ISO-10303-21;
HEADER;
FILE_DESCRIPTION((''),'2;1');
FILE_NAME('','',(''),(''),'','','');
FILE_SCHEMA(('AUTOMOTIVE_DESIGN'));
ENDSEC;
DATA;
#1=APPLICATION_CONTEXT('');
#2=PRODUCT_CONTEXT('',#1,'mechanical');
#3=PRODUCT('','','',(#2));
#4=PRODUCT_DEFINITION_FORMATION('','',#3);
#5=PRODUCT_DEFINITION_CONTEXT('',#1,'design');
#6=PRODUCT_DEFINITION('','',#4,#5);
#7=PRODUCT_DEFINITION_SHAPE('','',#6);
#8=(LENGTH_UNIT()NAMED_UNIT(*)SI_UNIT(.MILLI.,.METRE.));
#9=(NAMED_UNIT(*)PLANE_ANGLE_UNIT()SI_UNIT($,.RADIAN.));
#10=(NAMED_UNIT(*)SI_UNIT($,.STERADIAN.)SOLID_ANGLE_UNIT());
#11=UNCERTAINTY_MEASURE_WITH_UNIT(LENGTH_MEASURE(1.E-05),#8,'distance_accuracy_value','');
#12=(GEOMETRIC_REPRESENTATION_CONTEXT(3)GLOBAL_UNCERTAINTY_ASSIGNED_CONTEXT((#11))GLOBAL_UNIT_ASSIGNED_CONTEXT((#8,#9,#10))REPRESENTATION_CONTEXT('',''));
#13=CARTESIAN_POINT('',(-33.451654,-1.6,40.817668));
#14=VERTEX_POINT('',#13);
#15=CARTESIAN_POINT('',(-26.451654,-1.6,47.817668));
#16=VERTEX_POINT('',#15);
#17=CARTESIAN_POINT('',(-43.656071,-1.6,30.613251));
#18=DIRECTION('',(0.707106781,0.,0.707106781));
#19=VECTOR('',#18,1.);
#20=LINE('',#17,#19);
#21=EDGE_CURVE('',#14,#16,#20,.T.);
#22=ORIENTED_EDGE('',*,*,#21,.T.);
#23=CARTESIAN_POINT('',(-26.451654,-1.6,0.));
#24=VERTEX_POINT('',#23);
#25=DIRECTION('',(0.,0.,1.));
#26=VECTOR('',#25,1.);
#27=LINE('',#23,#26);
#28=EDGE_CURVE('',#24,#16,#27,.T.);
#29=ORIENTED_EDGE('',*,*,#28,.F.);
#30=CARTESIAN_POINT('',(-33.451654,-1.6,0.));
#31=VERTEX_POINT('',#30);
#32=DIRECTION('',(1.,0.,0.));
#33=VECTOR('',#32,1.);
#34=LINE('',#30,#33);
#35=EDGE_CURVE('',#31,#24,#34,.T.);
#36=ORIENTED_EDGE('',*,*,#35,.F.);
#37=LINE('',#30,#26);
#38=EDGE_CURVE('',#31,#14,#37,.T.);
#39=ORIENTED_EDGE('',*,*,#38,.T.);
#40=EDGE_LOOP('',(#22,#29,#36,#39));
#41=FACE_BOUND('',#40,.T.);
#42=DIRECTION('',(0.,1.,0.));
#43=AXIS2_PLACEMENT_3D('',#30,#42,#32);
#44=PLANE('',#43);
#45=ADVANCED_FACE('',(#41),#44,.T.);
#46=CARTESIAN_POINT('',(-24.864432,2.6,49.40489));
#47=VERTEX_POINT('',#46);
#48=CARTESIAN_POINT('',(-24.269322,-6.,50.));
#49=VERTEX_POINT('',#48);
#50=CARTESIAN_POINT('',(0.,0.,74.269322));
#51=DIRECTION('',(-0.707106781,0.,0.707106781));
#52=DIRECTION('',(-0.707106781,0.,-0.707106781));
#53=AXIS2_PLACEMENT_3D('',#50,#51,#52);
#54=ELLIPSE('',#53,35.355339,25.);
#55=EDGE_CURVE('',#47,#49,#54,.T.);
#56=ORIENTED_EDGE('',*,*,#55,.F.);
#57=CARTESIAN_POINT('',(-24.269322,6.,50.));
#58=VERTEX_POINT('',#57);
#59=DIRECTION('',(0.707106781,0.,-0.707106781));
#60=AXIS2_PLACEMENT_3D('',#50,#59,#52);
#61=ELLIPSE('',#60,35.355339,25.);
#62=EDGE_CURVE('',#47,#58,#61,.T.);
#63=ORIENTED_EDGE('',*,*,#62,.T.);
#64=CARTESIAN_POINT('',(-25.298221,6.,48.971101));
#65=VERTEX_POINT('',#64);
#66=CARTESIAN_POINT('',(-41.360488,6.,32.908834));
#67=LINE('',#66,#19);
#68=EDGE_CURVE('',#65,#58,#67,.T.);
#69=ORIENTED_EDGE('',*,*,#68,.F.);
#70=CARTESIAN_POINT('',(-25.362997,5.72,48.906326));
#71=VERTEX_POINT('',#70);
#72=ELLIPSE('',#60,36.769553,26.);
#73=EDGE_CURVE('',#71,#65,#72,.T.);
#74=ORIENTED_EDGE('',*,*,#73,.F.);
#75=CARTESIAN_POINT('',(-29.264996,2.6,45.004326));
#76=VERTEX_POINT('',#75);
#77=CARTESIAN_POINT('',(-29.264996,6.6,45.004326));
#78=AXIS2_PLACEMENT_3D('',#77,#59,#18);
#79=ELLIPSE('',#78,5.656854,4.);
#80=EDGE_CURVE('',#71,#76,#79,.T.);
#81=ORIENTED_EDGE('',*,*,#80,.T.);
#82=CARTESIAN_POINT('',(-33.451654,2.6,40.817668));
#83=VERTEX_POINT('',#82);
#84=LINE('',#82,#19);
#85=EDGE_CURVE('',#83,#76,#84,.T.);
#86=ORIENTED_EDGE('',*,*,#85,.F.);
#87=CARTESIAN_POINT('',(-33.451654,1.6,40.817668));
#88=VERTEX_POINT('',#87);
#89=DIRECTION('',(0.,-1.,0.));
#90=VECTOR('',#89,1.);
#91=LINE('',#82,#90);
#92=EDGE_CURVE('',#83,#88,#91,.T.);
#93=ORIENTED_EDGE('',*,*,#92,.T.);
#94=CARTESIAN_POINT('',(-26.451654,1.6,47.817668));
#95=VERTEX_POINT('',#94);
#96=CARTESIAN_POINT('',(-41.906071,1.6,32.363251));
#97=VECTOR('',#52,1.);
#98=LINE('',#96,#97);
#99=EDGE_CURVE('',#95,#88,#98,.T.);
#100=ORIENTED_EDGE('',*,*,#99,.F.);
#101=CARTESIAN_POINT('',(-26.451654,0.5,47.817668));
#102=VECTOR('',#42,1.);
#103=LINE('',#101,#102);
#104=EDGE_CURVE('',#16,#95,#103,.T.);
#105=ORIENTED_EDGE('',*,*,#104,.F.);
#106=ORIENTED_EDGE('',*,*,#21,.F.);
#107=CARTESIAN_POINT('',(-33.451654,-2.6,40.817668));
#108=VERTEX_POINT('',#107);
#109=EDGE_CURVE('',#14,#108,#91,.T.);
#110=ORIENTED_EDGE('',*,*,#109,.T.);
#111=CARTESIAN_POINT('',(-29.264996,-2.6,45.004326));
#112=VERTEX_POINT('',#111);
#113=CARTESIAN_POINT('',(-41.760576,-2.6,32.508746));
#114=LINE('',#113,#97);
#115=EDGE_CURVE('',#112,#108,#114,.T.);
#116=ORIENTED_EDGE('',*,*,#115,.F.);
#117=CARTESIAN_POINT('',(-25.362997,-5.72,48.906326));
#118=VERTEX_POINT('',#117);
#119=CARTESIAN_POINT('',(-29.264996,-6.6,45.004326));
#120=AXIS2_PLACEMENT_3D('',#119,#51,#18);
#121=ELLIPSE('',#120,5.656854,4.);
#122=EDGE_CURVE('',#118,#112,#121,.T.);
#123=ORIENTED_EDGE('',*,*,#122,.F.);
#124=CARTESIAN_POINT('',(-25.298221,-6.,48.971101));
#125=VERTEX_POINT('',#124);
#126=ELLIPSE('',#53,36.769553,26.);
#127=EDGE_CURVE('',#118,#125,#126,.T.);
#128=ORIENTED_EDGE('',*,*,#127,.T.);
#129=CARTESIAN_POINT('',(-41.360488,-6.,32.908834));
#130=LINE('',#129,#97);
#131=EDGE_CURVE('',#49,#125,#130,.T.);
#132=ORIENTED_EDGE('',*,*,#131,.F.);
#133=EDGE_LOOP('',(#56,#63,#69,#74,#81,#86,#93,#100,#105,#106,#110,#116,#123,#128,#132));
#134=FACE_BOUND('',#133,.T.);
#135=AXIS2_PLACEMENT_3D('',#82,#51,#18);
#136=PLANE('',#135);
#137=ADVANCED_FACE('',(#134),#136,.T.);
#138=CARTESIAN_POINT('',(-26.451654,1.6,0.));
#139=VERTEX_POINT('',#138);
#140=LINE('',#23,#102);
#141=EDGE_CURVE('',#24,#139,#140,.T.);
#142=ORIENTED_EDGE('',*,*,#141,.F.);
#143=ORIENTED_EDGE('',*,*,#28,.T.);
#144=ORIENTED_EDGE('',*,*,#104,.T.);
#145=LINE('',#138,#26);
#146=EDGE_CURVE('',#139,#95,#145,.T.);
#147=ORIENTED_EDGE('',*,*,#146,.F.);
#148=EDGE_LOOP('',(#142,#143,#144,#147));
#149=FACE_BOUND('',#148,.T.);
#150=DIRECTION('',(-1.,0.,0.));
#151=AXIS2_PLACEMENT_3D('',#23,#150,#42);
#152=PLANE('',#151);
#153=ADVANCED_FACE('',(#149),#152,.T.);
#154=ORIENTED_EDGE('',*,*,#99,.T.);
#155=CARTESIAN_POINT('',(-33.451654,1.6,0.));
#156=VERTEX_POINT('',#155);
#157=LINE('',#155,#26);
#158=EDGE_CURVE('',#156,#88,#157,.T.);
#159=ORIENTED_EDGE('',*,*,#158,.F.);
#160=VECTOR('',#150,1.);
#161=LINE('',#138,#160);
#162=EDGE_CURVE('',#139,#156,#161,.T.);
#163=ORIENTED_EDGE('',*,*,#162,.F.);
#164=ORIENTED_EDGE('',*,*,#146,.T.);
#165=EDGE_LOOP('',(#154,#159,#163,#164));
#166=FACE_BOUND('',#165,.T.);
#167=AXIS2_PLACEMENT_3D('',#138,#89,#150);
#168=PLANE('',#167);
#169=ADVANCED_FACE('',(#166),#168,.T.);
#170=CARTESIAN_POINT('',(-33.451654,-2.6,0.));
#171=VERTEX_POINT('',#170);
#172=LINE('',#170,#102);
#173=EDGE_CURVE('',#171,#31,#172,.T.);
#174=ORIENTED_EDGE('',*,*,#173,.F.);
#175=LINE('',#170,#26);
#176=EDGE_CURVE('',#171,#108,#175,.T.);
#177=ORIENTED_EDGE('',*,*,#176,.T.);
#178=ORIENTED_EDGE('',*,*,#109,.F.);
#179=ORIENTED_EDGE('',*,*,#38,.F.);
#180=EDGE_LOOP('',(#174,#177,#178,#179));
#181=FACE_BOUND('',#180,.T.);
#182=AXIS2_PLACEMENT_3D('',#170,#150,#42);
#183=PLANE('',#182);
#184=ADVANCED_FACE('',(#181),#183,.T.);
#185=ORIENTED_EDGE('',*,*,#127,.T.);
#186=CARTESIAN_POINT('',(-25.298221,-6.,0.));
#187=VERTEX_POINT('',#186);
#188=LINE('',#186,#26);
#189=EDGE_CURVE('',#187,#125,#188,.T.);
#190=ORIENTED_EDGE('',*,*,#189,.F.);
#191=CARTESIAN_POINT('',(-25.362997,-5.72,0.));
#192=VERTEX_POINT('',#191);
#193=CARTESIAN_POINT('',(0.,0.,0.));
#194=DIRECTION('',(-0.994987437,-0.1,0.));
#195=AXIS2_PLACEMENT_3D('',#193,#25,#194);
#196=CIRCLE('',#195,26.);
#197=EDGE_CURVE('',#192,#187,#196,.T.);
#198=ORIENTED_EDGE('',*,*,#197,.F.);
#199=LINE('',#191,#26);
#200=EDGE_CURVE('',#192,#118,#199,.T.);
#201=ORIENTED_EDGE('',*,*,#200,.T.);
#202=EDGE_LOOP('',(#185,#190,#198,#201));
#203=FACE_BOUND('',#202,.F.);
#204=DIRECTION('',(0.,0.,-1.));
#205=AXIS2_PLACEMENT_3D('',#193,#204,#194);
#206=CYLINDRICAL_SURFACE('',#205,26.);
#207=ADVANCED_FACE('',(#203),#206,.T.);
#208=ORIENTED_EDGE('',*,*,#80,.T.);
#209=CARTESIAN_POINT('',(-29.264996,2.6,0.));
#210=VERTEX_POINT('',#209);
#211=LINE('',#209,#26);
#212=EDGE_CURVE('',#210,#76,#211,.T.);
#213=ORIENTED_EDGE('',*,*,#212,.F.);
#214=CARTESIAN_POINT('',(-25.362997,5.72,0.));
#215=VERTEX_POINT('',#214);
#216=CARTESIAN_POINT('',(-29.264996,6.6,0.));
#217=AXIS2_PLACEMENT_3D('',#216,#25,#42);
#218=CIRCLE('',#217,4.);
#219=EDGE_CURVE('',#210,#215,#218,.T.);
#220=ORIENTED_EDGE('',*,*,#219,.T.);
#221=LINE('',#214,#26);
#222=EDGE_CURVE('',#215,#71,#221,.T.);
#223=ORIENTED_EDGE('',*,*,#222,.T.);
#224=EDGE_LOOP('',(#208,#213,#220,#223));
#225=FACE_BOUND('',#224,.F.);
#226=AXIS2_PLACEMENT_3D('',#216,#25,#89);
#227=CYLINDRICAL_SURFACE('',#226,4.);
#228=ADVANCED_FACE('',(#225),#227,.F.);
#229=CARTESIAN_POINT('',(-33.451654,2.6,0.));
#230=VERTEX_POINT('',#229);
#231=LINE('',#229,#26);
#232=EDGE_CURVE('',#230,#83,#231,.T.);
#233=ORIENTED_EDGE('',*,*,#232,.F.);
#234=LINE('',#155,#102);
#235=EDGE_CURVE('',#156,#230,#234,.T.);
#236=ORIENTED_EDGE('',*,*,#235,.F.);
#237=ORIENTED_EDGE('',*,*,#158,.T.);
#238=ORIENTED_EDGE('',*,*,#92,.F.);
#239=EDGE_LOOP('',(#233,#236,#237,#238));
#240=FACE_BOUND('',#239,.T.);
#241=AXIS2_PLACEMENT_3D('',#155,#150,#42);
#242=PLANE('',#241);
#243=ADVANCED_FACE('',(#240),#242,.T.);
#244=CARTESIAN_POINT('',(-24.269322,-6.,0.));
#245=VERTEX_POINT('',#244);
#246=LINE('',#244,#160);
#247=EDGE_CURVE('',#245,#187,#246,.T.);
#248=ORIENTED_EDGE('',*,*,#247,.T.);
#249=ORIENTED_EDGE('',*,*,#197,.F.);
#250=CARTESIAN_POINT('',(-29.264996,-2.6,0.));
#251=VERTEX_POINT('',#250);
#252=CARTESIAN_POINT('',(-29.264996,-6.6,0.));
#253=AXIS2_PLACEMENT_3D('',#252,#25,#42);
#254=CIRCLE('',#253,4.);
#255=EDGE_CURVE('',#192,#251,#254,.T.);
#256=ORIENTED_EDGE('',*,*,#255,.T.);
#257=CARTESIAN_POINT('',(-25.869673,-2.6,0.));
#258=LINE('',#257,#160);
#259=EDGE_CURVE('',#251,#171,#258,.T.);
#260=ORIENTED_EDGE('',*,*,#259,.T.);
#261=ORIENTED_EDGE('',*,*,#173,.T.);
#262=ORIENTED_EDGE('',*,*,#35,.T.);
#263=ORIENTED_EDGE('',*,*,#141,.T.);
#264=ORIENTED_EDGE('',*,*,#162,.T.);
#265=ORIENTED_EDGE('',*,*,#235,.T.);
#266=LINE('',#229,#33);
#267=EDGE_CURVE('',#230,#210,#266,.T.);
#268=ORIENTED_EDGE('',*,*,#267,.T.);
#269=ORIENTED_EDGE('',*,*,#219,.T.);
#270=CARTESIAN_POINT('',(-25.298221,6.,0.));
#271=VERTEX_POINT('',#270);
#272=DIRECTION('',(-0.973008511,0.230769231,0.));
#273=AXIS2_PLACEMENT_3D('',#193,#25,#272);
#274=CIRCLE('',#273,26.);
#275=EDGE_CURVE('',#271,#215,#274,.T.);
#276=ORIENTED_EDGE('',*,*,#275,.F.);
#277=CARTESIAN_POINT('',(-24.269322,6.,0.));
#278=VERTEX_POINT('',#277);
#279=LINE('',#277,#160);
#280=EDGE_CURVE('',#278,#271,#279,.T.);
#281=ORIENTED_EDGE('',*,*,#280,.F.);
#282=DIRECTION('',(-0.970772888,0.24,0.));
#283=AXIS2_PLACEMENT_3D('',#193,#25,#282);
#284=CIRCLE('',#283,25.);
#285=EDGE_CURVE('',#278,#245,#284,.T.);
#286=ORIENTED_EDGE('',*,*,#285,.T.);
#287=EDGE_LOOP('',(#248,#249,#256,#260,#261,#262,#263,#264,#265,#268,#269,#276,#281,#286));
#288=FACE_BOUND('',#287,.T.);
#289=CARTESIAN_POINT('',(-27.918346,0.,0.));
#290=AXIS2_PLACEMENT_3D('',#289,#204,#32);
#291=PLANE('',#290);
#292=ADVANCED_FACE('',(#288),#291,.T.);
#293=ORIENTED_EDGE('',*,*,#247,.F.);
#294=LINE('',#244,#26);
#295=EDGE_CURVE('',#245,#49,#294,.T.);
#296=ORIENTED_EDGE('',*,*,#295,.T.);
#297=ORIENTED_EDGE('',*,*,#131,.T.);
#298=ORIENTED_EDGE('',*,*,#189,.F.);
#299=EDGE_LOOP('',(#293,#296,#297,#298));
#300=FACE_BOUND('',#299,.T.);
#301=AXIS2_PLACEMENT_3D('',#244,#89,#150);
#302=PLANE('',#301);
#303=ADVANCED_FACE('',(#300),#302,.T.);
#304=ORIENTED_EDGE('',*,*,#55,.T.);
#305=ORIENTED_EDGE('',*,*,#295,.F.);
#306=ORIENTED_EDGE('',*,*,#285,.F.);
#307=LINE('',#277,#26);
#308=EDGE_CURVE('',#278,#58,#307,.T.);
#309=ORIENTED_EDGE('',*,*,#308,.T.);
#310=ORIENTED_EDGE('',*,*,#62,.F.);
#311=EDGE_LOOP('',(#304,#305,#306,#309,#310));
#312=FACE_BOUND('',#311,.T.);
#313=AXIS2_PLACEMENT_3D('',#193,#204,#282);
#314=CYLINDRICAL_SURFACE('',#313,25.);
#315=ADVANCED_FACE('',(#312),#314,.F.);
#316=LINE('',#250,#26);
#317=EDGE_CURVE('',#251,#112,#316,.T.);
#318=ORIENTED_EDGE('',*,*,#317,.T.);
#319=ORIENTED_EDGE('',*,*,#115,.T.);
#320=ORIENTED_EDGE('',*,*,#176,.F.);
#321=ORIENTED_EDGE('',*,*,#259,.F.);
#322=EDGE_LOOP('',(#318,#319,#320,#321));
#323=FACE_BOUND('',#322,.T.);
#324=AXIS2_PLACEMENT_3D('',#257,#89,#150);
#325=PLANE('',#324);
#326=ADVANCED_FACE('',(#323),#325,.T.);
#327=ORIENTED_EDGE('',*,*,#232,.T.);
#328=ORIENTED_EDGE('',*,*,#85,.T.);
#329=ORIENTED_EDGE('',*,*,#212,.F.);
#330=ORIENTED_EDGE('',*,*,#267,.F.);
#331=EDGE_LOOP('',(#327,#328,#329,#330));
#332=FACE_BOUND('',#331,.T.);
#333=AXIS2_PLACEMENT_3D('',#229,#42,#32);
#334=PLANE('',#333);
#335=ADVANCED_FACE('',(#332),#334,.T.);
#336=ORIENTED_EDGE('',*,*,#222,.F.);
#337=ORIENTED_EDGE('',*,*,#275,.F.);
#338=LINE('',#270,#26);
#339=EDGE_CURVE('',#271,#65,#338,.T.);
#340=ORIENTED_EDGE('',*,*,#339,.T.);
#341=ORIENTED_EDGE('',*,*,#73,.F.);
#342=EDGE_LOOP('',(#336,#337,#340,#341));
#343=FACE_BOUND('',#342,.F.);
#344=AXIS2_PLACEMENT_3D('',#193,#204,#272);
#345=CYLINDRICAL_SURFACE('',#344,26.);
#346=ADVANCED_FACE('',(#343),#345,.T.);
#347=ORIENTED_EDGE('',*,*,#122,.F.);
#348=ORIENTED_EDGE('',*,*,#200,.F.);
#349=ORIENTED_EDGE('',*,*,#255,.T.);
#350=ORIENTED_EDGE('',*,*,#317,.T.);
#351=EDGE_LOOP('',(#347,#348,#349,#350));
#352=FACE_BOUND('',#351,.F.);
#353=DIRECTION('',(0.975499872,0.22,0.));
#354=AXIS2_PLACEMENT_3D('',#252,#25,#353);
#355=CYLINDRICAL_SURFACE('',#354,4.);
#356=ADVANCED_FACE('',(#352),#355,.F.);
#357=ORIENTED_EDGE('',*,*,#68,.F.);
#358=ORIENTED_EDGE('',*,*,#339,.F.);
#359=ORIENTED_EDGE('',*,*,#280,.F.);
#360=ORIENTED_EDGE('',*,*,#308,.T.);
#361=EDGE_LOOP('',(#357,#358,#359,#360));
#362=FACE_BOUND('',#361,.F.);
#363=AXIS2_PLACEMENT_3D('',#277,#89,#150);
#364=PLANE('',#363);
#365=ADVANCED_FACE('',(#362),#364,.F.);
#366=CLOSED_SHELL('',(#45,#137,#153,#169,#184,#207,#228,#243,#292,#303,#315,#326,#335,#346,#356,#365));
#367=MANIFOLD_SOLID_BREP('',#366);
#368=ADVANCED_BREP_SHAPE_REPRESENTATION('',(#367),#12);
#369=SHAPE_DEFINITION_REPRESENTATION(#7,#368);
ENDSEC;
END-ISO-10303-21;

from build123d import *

# Parameters (mm, degrees)
PAD003_DEPTH            = 50
FILLET002_R             = 4
POCKET002_DEPTH         = 8.601
POCKET002_DEPTH_BACK    = 3.401
BODY004_PLACEMENT_ANGLE = 180


with BuildPart() as part:
    # Sketch006 → Pad003 (new body)
    with BuildSketch(Plane.XY):
        with BuildLine():
            ThreePointArc((24.269322199, -6), (25, 0), (24.269322199, 6))
            Line((24.269322199, 6), (25.2982212813, 6))
            ThreePointArc((25.8696733648, 2.6), (25.6403658443, 4.3094824946), (25.2982212813, 6))
            Line((25.8696733648, 2.6), (33.4516540126, 2.6))
            Line((33.4516540126, 2.6), (33.4516540126, 1.6))
            Line((33.4516540126, 1.6), (26.4516540126, 1.6))
            Line((26.4516540126, 1.6), (26.4516540126, -1.6))
            Line((26.4516540126, -1.6), (33.4516540126, -1.6))
            Line((33.4516540126, -1.6), (33.4516540126, -2.6))
            Line((33.4516540126, -2.6), (25.8696733648, -2.6))
            ThreePointArc((25.2982212813, -6), (25.6403658443, -4.3094824946), (25.8696733648, -2.6))
            Line((24.269322199, -6), (25.2982212813, -6))
        make_face()
    extrude(amount=PAD003_DEPTH)

    # Fillet002
    fillet002_edges = [part.edges().sort_by_distance(p)[0] for p in [
        (25.869673, -2.6, 25),
        (25.869673, 2.6, 25),
    ]]
    fillet(fillet002_edges, radius=FILLET002_R)

    # Sketch007 (on Face15 of Fillet002) → Pocket002 (cut, two sides)
    with BuildSketch(Plane.XZ.offset(2.6)) as pocket002_sk:
        Polygon((33.4516540126, 50), (33.4516540126, 40.8176681865), (24.269322199, 50), align=None)
    extrude(amount=-POCKET002_DEPTH, mode=Mode.SUBTRACT)
    extrude(pocket002_sk.sketch, amount=POCKET002_DEPTH_BACK, mode=Mode.SUBTRACT)


with BuildPart() as part_1:
    # Body004 placement: moved
    add(part.part.rotate(Axis((0, 0, 0), (0, 0, 1)), BODY004_PLACEMENT_ANGLE))


solid = part_1.part
